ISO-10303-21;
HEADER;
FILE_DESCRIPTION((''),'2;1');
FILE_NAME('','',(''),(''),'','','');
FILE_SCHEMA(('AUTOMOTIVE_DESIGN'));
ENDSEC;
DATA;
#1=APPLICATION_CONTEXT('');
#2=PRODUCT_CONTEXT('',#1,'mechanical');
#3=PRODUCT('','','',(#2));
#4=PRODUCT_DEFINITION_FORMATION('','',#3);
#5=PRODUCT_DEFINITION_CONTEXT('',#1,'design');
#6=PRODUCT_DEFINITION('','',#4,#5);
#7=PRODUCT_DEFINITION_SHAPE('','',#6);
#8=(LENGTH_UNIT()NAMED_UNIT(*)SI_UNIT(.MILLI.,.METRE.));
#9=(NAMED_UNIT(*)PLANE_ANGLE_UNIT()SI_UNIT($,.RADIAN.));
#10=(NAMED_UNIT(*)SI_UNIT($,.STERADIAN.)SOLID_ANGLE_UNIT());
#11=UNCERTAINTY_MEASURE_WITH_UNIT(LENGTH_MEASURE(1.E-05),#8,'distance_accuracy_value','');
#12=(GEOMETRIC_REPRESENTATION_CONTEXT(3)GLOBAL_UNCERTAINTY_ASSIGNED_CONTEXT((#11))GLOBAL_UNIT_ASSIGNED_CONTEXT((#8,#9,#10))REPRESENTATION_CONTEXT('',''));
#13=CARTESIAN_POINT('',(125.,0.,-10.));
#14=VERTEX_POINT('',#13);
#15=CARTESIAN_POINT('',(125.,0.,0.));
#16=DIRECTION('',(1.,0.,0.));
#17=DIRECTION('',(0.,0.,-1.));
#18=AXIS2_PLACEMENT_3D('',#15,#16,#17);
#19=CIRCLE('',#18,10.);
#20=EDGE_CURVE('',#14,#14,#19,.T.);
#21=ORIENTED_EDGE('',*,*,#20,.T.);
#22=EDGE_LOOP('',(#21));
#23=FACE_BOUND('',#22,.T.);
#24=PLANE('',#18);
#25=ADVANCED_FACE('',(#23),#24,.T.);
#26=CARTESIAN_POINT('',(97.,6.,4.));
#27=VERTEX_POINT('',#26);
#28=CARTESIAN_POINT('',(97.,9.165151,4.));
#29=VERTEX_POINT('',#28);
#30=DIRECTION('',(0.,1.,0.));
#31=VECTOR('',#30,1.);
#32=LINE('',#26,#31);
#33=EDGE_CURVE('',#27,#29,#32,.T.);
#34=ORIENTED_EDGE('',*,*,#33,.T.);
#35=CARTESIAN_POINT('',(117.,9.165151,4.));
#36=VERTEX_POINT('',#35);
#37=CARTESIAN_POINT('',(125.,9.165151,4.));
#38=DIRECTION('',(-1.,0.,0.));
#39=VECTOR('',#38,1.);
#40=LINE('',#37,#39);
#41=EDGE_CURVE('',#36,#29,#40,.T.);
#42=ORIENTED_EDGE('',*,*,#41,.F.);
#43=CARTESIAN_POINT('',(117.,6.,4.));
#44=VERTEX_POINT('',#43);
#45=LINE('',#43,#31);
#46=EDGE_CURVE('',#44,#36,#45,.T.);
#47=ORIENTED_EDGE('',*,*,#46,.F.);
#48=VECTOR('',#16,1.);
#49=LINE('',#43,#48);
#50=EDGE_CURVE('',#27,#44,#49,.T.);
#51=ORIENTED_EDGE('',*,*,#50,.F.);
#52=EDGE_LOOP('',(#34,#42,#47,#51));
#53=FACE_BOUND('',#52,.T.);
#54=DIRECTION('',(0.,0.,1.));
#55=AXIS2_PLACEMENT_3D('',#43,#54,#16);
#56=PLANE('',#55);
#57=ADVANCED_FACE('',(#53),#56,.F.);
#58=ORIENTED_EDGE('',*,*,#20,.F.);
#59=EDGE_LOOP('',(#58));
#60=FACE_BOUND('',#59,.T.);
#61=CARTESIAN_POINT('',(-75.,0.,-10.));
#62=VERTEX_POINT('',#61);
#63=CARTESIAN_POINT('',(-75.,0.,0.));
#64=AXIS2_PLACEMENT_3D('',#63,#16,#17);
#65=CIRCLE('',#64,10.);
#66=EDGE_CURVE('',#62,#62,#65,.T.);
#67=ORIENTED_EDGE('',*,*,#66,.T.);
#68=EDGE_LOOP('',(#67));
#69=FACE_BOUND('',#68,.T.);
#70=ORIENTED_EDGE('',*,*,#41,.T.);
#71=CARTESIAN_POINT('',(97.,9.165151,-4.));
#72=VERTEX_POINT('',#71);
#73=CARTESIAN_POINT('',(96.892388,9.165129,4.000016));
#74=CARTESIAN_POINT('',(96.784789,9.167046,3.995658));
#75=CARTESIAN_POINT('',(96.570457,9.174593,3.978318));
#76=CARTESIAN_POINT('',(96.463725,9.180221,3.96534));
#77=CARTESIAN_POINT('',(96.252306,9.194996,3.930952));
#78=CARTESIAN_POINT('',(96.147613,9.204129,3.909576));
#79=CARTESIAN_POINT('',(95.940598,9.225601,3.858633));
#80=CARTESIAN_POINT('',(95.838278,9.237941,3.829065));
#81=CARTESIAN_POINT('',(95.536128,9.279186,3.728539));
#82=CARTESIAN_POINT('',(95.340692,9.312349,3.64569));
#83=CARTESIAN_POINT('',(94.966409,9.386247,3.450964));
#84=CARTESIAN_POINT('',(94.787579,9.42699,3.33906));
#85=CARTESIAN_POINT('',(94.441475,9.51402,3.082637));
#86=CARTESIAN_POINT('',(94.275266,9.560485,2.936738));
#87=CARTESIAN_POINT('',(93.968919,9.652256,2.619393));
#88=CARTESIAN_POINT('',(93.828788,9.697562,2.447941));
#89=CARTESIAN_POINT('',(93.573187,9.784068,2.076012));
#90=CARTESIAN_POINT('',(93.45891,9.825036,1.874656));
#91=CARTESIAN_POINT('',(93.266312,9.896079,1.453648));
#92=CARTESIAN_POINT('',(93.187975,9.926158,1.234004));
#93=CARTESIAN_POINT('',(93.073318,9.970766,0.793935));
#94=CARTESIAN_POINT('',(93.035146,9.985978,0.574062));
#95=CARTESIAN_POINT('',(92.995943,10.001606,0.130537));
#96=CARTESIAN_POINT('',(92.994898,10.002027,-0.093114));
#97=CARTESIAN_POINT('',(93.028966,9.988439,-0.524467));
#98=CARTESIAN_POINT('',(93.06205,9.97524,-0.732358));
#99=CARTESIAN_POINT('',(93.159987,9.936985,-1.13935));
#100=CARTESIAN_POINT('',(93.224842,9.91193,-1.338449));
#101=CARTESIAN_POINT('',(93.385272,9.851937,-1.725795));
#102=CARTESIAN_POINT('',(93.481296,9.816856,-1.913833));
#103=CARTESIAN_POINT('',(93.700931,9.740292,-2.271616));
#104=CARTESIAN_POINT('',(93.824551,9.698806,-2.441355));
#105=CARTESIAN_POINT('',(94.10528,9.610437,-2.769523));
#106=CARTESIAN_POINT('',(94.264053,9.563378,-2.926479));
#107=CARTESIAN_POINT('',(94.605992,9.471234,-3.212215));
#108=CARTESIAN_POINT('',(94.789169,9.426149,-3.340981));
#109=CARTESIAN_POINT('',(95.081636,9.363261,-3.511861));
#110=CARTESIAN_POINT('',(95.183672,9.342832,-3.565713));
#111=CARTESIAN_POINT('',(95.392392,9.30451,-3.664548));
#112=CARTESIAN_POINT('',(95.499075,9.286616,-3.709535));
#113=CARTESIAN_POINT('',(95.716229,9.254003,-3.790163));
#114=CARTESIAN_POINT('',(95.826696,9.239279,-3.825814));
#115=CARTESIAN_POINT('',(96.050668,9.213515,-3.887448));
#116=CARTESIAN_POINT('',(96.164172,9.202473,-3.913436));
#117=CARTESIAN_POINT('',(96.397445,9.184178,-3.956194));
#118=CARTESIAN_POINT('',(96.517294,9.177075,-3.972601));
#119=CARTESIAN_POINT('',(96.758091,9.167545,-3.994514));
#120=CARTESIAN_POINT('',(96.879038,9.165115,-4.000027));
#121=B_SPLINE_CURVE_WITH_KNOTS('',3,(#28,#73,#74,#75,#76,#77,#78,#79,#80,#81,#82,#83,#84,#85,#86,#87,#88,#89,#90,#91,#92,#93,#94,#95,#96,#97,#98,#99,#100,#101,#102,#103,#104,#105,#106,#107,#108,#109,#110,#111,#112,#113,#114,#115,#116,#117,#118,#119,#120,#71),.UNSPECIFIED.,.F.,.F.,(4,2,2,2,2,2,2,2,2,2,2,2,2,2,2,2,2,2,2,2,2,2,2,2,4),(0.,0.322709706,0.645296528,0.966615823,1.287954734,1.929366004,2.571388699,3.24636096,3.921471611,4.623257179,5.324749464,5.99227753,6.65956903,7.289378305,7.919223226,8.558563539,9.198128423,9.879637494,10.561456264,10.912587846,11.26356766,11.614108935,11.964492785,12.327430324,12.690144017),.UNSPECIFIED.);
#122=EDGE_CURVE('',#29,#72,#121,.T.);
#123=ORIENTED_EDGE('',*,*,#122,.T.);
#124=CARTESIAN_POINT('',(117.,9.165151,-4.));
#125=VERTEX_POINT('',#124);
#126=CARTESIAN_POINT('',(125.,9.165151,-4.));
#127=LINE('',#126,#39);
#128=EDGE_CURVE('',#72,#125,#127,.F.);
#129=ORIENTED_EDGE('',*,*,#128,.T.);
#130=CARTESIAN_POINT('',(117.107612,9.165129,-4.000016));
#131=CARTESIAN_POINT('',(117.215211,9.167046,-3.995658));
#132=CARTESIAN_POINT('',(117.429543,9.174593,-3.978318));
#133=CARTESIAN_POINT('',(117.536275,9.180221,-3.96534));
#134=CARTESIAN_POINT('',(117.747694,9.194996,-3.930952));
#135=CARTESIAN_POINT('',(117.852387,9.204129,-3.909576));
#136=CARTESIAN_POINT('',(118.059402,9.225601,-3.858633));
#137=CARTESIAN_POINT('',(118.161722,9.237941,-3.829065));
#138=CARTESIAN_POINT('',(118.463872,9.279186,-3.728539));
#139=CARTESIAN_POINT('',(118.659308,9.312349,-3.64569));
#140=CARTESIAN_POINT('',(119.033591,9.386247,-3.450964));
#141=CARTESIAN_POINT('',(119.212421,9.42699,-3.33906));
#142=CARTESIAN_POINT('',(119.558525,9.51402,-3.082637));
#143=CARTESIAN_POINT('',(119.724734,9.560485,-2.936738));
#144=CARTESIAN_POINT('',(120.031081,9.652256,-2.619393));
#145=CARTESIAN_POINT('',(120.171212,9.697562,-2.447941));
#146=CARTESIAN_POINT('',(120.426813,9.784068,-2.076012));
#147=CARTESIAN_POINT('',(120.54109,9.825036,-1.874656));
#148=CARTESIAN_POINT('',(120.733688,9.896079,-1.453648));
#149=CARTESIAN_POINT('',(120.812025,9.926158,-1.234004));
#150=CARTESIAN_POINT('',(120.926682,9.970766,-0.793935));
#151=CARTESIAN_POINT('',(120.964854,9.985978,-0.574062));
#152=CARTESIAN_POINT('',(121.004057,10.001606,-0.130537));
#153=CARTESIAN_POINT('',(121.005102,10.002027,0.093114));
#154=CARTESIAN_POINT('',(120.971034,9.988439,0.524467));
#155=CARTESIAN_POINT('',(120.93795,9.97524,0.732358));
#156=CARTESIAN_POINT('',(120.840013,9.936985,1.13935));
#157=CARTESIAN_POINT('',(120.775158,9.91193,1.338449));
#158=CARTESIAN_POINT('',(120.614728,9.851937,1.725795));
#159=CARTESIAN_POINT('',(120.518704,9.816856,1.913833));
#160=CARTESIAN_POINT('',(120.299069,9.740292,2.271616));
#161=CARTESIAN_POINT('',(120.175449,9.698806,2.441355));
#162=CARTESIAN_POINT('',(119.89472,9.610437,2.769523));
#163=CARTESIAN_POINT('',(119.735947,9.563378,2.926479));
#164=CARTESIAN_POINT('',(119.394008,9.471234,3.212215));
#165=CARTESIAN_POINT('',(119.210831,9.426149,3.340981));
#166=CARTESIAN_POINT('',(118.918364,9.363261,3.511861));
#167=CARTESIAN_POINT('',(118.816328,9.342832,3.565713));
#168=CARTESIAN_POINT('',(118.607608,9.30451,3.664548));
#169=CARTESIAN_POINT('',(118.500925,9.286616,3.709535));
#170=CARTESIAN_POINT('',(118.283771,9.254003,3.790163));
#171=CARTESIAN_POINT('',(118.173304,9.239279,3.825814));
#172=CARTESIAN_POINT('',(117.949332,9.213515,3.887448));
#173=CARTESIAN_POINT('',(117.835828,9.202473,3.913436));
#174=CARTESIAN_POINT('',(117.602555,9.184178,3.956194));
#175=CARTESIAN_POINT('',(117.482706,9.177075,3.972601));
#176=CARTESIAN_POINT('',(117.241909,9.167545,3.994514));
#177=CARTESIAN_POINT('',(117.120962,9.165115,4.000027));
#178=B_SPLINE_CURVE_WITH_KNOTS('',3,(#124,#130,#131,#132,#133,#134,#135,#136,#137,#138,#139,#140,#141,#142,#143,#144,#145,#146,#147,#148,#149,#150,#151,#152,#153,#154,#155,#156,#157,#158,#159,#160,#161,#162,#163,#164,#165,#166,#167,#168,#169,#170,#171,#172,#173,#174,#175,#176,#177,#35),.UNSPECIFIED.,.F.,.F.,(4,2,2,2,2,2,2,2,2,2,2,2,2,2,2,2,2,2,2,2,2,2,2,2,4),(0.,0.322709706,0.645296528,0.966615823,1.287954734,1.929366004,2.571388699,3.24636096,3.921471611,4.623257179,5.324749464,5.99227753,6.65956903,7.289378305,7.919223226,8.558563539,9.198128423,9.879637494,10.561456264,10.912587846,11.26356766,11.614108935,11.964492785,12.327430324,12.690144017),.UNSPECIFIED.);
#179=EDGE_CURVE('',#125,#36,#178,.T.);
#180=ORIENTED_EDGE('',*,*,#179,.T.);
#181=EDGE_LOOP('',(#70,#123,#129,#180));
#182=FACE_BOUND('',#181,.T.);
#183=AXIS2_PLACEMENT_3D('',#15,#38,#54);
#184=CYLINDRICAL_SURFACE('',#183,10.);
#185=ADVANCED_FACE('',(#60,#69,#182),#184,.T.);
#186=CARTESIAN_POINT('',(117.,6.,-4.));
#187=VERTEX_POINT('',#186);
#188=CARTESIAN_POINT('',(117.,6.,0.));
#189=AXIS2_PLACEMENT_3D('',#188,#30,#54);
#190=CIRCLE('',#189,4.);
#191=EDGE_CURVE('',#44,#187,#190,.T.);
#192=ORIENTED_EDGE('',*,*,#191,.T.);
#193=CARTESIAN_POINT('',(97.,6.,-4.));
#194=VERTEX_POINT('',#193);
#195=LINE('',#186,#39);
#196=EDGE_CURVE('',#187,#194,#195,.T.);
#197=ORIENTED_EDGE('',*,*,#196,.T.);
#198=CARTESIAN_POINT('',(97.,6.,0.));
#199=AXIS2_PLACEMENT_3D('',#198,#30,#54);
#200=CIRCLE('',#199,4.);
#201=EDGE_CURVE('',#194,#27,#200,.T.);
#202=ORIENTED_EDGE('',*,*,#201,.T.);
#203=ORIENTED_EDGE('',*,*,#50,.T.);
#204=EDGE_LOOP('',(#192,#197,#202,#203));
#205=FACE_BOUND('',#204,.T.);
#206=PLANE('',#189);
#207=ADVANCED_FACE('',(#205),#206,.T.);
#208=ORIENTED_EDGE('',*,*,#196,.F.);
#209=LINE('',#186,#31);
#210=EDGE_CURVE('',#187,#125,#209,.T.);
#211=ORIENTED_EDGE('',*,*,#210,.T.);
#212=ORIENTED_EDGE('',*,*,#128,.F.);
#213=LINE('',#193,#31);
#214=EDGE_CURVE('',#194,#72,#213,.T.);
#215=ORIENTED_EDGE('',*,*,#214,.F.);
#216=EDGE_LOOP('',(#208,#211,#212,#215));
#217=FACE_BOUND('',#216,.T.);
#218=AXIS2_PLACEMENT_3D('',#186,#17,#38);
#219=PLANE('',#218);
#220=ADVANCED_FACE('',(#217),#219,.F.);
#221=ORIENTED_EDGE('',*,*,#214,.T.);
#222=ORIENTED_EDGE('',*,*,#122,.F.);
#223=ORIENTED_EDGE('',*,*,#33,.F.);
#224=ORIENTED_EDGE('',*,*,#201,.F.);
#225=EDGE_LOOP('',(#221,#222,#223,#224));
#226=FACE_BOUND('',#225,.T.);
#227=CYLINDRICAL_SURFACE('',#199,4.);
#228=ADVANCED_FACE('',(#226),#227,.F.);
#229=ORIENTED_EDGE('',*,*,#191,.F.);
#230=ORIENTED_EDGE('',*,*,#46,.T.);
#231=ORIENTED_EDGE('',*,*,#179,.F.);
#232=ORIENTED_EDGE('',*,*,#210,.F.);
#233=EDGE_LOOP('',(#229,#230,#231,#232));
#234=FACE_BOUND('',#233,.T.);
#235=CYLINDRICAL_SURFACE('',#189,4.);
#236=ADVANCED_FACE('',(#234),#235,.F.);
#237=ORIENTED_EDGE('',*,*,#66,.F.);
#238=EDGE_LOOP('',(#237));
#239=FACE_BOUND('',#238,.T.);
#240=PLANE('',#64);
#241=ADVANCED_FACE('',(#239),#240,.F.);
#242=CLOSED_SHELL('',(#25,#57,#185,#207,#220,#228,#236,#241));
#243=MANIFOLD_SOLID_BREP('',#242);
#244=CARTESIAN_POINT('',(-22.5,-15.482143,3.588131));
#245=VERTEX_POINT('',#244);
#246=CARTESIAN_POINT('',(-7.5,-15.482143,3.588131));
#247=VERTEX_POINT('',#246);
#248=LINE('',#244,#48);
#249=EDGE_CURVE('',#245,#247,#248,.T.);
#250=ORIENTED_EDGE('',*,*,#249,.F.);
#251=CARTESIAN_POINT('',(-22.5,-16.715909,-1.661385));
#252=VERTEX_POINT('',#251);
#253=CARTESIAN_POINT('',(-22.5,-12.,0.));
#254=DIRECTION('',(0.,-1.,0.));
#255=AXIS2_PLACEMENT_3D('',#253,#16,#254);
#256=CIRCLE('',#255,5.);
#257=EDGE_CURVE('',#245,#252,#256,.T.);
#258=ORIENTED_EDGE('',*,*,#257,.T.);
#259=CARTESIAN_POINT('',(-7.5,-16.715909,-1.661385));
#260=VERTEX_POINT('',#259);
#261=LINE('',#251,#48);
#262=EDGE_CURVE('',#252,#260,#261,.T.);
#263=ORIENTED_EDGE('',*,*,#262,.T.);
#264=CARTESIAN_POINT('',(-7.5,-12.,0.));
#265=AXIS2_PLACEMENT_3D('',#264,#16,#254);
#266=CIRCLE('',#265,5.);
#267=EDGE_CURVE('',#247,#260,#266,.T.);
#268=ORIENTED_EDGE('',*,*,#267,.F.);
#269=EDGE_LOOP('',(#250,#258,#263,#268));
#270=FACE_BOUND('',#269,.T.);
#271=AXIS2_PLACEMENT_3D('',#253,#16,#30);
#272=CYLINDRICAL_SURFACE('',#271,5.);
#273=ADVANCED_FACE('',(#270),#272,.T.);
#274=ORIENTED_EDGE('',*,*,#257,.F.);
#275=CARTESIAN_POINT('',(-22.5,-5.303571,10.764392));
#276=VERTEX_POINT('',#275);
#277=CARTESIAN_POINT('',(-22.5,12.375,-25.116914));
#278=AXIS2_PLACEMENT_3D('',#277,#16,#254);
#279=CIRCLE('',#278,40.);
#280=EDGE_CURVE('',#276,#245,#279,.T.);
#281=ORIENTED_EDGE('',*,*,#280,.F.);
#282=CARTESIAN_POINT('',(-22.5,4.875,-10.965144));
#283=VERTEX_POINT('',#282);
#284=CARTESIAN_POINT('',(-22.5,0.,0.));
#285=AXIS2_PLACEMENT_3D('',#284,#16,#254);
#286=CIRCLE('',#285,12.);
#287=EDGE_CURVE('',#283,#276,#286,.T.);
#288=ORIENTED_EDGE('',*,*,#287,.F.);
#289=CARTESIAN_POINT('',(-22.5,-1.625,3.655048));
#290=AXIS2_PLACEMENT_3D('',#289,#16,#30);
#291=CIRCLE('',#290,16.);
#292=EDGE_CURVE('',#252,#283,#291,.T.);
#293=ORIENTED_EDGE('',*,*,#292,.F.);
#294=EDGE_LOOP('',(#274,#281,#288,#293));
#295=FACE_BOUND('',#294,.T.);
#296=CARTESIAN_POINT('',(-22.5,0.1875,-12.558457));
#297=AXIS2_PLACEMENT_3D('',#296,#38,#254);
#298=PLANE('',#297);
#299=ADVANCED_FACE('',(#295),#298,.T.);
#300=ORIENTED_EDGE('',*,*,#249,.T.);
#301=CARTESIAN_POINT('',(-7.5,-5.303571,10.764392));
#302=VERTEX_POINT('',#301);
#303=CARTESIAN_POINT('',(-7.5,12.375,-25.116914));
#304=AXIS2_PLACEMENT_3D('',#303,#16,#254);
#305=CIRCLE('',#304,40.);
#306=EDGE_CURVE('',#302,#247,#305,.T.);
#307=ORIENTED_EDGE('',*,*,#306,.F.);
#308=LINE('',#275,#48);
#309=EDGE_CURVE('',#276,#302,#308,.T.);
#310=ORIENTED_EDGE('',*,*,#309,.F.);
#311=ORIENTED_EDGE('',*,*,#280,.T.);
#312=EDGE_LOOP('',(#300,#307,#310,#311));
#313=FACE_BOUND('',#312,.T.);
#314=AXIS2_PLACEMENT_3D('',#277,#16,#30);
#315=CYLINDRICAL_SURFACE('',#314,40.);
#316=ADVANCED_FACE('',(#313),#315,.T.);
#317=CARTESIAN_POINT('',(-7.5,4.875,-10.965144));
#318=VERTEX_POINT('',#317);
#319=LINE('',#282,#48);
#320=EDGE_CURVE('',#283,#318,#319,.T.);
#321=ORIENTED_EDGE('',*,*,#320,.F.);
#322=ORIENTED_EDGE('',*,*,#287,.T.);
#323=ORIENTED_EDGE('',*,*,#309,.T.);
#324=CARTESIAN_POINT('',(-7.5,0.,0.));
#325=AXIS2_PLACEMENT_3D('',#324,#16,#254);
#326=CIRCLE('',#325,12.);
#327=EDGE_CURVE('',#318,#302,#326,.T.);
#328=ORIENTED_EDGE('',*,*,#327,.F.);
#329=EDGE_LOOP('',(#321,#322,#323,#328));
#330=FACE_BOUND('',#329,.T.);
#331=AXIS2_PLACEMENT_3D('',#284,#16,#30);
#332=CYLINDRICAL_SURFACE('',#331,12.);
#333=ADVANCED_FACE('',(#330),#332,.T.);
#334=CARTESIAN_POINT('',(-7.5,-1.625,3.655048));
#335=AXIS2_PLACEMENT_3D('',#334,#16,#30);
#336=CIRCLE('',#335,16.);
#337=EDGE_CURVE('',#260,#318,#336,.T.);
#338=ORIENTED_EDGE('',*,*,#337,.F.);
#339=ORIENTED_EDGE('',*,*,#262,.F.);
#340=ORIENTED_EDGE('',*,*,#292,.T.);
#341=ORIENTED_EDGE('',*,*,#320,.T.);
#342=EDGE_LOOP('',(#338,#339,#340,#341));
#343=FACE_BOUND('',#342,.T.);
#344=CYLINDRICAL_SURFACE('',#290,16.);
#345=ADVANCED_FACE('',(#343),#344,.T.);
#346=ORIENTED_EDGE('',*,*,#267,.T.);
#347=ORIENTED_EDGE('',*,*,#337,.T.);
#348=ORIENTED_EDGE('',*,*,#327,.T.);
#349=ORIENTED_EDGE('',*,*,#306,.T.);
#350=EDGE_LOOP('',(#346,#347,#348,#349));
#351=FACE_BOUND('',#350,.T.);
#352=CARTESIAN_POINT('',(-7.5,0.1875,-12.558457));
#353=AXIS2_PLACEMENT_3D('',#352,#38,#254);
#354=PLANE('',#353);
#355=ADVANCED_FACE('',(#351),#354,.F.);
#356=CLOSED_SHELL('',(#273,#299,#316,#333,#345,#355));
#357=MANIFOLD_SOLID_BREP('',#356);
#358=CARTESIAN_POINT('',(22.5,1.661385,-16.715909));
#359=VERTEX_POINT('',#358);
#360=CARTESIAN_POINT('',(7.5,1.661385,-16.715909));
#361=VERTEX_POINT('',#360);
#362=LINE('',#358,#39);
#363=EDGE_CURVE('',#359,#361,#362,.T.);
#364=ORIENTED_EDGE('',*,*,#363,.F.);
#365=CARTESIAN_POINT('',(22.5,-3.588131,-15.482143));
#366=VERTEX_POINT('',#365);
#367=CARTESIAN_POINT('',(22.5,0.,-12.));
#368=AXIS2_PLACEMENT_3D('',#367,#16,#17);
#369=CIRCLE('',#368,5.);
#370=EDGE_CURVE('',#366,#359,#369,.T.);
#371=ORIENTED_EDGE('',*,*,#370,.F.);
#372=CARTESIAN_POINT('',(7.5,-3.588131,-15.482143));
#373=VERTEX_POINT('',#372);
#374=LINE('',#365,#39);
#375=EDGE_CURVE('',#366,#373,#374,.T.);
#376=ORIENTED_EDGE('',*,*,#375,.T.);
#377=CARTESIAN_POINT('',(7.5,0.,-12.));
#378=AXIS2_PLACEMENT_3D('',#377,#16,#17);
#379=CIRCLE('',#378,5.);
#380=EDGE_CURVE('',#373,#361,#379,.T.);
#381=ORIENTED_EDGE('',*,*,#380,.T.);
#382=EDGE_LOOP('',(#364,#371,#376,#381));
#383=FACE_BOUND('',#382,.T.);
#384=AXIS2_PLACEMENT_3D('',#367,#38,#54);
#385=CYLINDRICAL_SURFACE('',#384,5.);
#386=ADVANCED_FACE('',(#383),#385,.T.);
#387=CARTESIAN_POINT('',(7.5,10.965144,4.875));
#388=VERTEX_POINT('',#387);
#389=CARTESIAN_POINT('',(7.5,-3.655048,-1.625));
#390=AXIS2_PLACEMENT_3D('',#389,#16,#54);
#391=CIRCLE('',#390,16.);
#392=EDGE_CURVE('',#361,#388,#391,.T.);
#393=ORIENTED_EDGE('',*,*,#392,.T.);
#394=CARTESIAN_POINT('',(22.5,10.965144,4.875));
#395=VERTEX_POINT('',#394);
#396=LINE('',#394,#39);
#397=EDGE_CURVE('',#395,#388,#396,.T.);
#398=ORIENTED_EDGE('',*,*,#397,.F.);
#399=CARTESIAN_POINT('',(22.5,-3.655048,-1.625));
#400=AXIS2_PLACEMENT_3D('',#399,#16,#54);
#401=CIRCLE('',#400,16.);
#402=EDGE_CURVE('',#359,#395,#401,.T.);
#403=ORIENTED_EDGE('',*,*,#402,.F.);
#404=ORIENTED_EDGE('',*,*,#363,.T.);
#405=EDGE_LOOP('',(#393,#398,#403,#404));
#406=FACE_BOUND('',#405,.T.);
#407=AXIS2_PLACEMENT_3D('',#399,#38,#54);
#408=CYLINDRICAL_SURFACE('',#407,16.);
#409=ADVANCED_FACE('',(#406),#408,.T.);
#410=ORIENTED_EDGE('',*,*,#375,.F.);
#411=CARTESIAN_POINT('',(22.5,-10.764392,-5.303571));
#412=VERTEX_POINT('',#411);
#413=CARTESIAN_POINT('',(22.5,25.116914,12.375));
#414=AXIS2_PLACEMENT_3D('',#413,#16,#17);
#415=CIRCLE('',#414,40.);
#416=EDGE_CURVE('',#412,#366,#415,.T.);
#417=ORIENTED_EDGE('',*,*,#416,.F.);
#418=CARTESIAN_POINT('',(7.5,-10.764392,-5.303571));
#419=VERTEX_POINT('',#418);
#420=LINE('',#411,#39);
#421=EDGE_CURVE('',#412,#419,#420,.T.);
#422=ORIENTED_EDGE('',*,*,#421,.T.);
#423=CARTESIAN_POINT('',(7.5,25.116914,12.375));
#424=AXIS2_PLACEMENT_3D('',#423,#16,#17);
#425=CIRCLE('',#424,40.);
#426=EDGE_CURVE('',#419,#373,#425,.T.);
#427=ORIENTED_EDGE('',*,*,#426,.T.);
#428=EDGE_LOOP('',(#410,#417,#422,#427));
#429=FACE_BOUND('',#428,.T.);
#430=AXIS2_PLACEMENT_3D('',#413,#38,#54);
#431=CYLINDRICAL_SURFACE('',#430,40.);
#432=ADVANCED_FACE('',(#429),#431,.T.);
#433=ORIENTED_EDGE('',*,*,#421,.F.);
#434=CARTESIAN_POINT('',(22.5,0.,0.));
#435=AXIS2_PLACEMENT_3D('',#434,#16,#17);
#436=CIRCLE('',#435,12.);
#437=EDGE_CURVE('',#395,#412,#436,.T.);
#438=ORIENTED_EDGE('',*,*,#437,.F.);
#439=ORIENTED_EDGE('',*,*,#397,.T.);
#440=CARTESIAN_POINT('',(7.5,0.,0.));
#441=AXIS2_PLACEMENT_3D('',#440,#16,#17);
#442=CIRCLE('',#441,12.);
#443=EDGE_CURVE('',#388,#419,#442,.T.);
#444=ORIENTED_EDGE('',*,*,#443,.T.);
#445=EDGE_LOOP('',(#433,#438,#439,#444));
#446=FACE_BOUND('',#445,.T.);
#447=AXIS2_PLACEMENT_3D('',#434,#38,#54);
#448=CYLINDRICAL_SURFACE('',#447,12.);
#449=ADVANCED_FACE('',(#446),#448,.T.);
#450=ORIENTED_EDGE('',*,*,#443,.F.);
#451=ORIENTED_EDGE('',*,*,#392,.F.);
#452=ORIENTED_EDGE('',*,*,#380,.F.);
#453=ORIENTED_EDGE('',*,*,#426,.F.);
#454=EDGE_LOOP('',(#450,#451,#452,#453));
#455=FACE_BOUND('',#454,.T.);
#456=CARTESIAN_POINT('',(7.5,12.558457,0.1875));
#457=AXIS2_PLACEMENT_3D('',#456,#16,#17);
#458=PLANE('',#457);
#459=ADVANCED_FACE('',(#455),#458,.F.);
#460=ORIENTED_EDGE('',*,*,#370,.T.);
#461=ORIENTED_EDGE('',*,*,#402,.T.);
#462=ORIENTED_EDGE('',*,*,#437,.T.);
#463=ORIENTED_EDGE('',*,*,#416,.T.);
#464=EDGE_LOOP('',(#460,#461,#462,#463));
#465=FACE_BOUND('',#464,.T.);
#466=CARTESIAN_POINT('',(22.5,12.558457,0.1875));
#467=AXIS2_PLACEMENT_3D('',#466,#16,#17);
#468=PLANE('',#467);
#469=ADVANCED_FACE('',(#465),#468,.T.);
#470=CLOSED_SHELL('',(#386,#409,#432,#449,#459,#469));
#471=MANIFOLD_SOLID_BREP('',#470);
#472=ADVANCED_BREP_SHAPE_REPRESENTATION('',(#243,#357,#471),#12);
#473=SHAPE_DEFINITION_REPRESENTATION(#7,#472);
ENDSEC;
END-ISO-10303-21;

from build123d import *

# Parameters (mm, degrees)
SKETCH1_R                = 10
BOSS_EXTRUDE1_DEPTH      = 125
BOSS_EXTRUDE1_DEPTH_BACK = 75
BOSS_EXTRUDE2_START      = 15
BOSS_EXTRUDE2_DEPTH      = 7.5
BODY_MOVE_COPY2_ANGLE    = 90
CUT_EXTRUDE1_DEPTH       = 4


with BuildPart() as part:
    # Sketch1 → Boss-Extrude1 (new body, two sides)
    with BuildSketch(Plane(origin=(0, 0, 0), x_dir=(0, 0, -1), z_dir=(1, 0, 0))) as boss_extrude1_sk:
        Circle(SKETCH1_R)
    extrude(amount=BOSS_EXTRUDE1_DEPTH)
    extrude(boss_extrude1_sk.sketch, amount=-BOSS_EXTRUDE1_DEPTH_BACK)

    # Sketch3 → Cut-Extrude1 (cut)
    with BuildSketch(Plane(origin=(0, 10, 0), x_dir=(1, 0, 0), z_dir=(0, 1, 0))):
        with BuildLine():
            Line((117, -4), (97, -4))
            ThreePointArc((97, -4), (93, 0), (97, 4))
            Line((97, 4), (117, 4))
            ThreePointArc((117, 4), (121, 0), (117, -4))
        make_face()
    extrude(amount=-CUT_EXTRUDE1_DEPTH, mode=Mode.SUBTRACT)


with BuildPart() as body_2:
    # Sketch2 → Boss-Extrude2 (new body, symmetric)
    with BuildSketch(Plane(origin=(0, 0, 0), x_dir=(0, 0, -1), z_dir=(1, 0, 0)).offset(BOSS_EXTRUDE2_START)):
        with BuildLine():
            ThreePointArc((-4.875, 10.965143638), (-10.866880674, -5.090275475), (5.303571429, -10.764391766))
            ThreePointArc((5.303571429, -10.764391766), (10.673861143, -7.574827955), (15.482142857, -3.588130589))
            ThreePointArc((15.482142857, -3.588130589), (16.867377987, -1.143954342), (16.715909091, 1.6613854))
            ThreePointArc((16.715909091, 1.6613854), (7.956738236, 11.038797462), (-4.875, 10.965143638))
        make_face()
    extrude(amount=BOSS_EXTRUDE2_DEPTH, both=True)


with BuildPart() as body_3:
    # Mirror3: mirrored copy
    add(body_2.part.mirror(Plane(origin=(0, 0, 0), x_dir=(0, 0, 1), z_dir=(1, 0, 0))))


with BuildPart() as body_3_1:
    # Body-Move/Copy2: moved
    add(body_3.part.rotate(Axis((0, 0, 0), (-1, 0, 0)), BODY_MOVE_COPY2_ANGLE))


solid = Compound([part.part, body_2.part, body_3_1.part])
